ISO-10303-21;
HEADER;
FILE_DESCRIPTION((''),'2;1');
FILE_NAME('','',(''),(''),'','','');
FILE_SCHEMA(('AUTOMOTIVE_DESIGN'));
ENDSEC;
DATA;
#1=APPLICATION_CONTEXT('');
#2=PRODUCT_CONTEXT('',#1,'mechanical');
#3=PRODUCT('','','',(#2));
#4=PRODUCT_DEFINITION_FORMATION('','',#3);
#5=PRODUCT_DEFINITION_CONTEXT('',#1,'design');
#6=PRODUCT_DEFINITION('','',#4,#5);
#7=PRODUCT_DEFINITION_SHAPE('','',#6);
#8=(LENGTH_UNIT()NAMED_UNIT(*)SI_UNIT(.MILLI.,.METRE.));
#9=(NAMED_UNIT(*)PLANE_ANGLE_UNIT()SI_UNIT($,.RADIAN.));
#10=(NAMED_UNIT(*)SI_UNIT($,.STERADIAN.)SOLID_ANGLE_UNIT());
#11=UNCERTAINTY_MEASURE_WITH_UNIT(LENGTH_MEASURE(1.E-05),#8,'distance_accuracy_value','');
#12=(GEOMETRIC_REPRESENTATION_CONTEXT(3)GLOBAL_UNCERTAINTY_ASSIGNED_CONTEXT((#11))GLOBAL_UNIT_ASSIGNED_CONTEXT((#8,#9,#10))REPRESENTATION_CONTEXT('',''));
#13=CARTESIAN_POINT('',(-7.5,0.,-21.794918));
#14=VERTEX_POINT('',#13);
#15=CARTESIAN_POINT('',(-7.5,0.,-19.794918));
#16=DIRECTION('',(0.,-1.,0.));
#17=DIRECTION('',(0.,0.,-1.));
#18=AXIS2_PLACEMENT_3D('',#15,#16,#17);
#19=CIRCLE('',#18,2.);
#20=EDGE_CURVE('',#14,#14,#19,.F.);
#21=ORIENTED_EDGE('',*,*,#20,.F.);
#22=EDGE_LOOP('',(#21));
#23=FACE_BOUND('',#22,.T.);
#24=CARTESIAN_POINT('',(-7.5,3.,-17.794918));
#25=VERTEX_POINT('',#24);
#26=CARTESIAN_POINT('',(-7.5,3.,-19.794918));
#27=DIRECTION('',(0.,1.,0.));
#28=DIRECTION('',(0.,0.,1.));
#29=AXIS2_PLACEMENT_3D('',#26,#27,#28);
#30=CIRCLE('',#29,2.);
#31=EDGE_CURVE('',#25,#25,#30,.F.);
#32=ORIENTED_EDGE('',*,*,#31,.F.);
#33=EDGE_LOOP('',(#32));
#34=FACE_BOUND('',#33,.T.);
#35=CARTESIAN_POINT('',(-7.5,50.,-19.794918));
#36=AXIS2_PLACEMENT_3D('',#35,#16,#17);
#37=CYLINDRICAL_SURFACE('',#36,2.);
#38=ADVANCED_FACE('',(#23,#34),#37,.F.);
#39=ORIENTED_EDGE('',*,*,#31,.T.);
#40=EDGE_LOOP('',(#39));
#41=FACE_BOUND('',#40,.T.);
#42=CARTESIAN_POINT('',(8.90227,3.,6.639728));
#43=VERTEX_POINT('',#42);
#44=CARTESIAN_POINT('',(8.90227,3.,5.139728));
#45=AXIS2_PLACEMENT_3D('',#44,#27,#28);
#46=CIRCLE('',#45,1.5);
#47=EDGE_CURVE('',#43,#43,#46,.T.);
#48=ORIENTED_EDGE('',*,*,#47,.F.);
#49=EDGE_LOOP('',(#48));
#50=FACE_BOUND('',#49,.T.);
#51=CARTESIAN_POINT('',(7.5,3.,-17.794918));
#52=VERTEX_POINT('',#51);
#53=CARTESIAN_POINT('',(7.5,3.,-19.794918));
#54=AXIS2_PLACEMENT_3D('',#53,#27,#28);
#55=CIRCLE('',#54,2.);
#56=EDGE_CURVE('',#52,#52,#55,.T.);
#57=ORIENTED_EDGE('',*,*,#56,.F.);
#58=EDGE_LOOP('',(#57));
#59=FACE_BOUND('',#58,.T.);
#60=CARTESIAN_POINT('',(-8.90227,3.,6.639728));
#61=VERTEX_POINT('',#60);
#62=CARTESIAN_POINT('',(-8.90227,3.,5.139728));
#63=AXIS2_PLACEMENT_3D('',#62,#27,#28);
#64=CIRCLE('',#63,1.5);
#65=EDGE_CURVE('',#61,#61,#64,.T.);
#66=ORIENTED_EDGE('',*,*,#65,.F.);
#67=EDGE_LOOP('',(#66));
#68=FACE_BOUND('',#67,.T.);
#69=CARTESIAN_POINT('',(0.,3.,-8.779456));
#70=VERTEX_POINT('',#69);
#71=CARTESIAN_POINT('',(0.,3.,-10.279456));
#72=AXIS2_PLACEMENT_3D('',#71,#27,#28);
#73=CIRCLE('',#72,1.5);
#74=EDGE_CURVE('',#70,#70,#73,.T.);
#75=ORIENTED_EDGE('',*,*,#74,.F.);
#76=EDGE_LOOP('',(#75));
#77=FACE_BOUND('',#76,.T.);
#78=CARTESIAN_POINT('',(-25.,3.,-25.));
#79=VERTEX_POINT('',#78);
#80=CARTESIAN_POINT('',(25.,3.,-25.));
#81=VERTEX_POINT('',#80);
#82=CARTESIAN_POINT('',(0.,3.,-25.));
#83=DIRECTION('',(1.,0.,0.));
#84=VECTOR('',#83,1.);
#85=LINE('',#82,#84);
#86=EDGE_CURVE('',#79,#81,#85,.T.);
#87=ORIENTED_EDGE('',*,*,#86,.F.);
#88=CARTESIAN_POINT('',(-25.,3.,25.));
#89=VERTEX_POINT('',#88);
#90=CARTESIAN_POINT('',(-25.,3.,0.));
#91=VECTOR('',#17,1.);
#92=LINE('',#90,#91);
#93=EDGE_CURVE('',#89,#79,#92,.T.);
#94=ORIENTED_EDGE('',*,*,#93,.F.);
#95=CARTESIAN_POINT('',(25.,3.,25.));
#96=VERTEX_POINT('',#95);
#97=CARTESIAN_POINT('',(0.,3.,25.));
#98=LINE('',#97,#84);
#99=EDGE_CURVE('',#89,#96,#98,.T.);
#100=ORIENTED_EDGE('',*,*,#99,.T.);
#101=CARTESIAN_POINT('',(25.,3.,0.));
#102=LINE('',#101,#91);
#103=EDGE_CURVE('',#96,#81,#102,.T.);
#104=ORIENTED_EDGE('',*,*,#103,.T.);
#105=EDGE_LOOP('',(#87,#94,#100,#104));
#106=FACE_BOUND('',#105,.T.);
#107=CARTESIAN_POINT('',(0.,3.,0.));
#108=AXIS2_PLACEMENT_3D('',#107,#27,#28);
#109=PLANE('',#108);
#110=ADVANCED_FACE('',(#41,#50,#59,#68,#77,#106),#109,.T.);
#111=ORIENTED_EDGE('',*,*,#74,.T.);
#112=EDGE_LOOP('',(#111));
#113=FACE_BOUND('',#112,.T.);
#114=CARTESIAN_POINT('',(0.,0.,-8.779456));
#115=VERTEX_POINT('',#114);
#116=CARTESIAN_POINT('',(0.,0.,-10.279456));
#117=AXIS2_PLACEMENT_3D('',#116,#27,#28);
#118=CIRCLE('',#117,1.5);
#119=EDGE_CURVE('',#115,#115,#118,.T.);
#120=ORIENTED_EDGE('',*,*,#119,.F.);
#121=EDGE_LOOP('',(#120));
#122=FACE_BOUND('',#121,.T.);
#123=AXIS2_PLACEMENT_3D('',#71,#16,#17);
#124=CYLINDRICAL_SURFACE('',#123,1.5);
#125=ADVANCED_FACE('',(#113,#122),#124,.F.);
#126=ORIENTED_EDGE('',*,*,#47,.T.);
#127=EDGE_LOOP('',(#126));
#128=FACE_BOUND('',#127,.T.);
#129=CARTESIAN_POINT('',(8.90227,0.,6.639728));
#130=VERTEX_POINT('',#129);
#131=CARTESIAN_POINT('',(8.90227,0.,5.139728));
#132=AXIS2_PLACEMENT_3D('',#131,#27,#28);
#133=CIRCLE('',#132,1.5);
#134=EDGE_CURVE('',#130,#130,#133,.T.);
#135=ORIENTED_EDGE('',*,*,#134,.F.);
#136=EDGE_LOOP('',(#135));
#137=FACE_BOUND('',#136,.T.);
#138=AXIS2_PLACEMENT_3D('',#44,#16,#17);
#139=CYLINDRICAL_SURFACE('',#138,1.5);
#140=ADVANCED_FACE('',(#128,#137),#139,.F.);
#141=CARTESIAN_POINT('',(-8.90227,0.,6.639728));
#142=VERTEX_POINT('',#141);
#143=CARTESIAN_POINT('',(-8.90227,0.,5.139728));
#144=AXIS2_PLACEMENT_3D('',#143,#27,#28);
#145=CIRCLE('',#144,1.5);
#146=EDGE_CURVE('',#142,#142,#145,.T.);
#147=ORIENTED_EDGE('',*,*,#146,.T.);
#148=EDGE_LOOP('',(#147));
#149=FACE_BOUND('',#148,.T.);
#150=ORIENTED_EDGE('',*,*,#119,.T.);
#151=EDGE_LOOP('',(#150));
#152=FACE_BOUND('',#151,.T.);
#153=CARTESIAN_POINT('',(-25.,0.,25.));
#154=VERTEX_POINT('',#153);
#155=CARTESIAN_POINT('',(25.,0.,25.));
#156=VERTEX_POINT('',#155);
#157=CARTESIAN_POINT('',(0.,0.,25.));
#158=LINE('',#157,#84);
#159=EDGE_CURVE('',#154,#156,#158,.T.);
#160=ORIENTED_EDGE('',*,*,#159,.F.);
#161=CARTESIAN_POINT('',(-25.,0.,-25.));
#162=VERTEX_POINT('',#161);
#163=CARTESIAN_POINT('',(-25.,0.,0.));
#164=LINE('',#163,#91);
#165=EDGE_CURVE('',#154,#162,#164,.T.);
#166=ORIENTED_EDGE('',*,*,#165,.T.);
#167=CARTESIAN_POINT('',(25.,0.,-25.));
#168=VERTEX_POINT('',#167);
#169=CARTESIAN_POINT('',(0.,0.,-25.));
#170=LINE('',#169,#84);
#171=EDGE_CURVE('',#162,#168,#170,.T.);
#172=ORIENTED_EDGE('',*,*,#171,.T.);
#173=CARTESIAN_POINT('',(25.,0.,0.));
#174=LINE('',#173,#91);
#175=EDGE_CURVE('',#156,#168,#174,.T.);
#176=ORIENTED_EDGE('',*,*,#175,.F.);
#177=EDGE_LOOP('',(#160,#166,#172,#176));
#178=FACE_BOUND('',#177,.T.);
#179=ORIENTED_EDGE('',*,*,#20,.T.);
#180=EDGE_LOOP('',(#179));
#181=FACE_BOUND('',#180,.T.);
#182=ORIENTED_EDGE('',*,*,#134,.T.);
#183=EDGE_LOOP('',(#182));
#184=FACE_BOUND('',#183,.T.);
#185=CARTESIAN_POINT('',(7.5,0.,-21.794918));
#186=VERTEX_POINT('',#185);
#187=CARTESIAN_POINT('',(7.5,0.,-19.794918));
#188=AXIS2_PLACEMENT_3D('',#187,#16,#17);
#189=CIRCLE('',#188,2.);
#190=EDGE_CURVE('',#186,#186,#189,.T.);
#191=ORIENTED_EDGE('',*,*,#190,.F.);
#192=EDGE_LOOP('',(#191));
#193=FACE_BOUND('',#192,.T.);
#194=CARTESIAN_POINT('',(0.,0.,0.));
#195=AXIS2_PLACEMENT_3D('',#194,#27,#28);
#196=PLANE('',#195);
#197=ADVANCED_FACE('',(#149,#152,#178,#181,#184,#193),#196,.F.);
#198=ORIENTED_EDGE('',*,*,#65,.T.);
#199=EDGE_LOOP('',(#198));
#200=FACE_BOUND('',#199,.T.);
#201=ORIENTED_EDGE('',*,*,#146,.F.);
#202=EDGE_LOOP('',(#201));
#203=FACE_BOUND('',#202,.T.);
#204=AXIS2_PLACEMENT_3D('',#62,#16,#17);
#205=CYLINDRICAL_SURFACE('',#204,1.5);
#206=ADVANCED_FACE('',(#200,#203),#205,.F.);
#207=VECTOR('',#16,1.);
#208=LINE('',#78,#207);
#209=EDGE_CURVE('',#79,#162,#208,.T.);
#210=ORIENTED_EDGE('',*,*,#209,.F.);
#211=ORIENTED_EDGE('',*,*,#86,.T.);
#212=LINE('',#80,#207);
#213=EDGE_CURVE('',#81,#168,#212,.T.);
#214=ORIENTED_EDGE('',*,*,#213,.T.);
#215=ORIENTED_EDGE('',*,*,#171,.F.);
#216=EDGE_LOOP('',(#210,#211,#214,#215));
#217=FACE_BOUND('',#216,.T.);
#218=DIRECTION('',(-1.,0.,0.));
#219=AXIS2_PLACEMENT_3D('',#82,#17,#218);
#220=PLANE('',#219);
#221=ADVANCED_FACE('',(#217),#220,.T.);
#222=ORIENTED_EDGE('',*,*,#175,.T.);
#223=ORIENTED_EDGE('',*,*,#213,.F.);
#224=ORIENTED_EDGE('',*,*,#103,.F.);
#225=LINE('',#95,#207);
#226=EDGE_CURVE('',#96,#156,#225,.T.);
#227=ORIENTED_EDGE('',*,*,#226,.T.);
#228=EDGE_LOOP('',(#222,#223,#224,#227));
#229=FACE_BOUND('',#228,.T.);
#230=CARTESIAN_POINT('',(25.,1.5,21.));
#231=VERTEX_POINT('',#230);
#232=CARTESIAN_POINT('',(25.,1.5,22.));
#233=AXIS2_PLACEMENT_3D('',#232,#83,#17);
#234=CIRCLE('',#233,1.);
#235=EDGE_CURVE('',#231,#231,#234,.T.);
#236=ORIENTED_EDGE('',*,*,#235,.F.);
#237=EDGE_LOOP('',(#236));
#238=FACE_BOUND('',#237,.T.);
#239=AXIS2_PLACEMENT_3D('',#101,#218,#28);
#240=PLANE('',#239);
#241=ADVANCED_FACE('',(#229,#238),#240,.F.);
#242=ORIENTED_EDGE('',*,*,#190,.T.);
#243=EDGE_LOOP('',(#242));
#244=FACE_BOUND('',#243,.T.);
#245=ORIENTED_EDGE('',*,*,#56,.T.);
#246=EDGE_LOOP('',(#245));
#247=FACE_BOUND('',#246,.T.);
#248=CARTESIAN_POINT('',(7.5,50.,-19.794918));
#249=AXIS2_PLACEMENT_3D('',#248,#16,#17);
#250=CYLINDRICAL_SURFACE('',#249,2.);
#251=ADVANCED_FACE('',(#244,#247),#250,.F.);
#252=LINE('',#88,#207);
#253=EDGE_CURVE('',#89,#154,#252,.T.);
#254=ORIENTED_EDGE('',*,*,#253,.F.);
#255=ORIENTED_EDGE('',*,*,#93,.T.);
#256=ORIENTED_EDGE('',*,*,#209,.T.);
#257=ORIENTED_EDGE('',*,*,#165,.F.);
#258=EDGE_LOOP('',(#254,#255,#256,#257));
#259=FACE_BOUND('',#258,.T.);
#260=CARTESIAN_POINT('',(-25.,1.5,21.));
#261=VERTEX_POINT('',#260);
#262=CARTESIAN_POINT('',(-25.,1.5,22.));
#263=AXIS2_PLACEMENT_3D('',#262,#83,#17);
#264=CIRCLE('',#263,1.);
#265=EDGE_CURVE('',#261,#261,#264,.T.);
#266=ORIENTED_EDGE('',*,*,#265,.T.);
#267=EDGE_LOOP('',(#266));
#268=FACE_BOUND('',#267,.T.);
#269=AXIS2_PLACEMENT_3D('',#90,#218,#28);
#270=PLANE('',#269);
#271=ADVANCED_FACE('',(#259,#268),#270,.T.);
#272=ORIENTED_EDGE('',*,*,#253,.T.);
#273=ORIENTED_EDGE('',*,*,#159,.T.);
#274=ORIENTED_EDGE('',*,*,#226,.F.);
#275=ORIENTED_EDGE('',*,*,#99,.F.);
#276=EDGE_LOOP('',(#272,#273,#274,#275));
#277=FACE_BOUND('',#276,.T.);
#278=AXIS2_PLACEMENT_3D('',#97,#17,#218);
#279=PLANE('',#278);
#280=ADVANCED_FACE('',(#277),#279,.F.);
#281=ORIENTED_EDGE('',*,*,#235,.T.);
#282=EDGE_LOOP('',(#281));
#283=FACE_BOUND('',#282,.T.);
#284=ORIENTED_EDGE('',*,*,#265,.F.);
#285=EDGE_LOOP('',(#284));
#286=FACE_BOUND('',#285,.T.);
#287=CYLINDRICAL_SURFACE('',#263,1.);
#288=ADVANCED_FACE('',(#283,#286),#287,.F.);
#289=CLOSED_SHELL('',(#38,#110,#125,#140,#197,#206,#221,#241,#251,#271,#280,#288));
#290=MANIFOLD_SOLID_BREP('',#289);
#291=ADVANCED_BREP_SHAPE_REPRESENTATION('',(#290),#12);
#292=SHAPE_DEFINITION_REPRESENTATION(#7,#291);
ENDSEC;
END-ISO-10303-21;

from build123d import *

# Parameters (mm, degrees)
SKETCH_1_W          = 50
SKETCH_1_H          = 50
SKETCH_1_R          = 1.5
EXTRUDE_1_DEPTH     = 3
SKETCH_2_R          = 1
CUT_EXTRUDE_2_DEPTH = 56.982140009
SKETCH_4_R          = 2
CUT_EXTRUDE_4_DEPTH = 50


with BuildPart() as part:
    # 草图1 → 凸台-拉伸1 (new body)
    with BuildSketch(Plane(origin=(0, 0, 0), x_dir=(1, 0, 0), z_dir=(0, 1, 0))):
        Rectangle(SKETCH_1_W, SKETCH_1_H)
        with Locations(Location((0, 10.279455753, 0), (0, 0, 270))):
            Circle(SKETCH_1_R, mode=Mode.SUBTRACT)
        with Locations(Location((8.902269819, -5.139727877, 0), (0, 0, 270))):
            Circle(SKETCH_1_R, mode=Mode.SUBTRACT)
        with Locations(Location((-8.902269819, -5.139727877, 0), (0, 0, 270))):
            Circle(SKETCH_1_R, mode=Mode.SUBTRACT)
    extrude(amount=EXTRUDE_1_DEPTH)

    # 草图2 → 切除-拉伸2 (cut, through all)
    with BuildSketch(Plane(origin=(25, 0, 0), x_dir=(0, 0, -1), z_dir=(1, 0, 0))):
        with Locations((-22, 1.5)):
            Circle(SKETCH_2_R)
    extrude(amount=-CUT_EXTRUDE_2_DEPTH, mode=Mode.SUBTRACT)

    # 草图4 → 切除-拉伸4 (cut)
    with BuildSketch(Plane.XZ):
        with Locations(Location((-7.5, -19.794917773, 0), (0, 0, 270))):
            Circle(SKETCH_4_R)
        with Locations(Location((7.5, -19.794917773, 0), (0, 0, 270))):
            Circle(SKETCH_4_R)
    extrude(amount=-CUT_EXTRUDE_4_DEPTH, mode=Mode.SUBTRACT)


solid = part.part
